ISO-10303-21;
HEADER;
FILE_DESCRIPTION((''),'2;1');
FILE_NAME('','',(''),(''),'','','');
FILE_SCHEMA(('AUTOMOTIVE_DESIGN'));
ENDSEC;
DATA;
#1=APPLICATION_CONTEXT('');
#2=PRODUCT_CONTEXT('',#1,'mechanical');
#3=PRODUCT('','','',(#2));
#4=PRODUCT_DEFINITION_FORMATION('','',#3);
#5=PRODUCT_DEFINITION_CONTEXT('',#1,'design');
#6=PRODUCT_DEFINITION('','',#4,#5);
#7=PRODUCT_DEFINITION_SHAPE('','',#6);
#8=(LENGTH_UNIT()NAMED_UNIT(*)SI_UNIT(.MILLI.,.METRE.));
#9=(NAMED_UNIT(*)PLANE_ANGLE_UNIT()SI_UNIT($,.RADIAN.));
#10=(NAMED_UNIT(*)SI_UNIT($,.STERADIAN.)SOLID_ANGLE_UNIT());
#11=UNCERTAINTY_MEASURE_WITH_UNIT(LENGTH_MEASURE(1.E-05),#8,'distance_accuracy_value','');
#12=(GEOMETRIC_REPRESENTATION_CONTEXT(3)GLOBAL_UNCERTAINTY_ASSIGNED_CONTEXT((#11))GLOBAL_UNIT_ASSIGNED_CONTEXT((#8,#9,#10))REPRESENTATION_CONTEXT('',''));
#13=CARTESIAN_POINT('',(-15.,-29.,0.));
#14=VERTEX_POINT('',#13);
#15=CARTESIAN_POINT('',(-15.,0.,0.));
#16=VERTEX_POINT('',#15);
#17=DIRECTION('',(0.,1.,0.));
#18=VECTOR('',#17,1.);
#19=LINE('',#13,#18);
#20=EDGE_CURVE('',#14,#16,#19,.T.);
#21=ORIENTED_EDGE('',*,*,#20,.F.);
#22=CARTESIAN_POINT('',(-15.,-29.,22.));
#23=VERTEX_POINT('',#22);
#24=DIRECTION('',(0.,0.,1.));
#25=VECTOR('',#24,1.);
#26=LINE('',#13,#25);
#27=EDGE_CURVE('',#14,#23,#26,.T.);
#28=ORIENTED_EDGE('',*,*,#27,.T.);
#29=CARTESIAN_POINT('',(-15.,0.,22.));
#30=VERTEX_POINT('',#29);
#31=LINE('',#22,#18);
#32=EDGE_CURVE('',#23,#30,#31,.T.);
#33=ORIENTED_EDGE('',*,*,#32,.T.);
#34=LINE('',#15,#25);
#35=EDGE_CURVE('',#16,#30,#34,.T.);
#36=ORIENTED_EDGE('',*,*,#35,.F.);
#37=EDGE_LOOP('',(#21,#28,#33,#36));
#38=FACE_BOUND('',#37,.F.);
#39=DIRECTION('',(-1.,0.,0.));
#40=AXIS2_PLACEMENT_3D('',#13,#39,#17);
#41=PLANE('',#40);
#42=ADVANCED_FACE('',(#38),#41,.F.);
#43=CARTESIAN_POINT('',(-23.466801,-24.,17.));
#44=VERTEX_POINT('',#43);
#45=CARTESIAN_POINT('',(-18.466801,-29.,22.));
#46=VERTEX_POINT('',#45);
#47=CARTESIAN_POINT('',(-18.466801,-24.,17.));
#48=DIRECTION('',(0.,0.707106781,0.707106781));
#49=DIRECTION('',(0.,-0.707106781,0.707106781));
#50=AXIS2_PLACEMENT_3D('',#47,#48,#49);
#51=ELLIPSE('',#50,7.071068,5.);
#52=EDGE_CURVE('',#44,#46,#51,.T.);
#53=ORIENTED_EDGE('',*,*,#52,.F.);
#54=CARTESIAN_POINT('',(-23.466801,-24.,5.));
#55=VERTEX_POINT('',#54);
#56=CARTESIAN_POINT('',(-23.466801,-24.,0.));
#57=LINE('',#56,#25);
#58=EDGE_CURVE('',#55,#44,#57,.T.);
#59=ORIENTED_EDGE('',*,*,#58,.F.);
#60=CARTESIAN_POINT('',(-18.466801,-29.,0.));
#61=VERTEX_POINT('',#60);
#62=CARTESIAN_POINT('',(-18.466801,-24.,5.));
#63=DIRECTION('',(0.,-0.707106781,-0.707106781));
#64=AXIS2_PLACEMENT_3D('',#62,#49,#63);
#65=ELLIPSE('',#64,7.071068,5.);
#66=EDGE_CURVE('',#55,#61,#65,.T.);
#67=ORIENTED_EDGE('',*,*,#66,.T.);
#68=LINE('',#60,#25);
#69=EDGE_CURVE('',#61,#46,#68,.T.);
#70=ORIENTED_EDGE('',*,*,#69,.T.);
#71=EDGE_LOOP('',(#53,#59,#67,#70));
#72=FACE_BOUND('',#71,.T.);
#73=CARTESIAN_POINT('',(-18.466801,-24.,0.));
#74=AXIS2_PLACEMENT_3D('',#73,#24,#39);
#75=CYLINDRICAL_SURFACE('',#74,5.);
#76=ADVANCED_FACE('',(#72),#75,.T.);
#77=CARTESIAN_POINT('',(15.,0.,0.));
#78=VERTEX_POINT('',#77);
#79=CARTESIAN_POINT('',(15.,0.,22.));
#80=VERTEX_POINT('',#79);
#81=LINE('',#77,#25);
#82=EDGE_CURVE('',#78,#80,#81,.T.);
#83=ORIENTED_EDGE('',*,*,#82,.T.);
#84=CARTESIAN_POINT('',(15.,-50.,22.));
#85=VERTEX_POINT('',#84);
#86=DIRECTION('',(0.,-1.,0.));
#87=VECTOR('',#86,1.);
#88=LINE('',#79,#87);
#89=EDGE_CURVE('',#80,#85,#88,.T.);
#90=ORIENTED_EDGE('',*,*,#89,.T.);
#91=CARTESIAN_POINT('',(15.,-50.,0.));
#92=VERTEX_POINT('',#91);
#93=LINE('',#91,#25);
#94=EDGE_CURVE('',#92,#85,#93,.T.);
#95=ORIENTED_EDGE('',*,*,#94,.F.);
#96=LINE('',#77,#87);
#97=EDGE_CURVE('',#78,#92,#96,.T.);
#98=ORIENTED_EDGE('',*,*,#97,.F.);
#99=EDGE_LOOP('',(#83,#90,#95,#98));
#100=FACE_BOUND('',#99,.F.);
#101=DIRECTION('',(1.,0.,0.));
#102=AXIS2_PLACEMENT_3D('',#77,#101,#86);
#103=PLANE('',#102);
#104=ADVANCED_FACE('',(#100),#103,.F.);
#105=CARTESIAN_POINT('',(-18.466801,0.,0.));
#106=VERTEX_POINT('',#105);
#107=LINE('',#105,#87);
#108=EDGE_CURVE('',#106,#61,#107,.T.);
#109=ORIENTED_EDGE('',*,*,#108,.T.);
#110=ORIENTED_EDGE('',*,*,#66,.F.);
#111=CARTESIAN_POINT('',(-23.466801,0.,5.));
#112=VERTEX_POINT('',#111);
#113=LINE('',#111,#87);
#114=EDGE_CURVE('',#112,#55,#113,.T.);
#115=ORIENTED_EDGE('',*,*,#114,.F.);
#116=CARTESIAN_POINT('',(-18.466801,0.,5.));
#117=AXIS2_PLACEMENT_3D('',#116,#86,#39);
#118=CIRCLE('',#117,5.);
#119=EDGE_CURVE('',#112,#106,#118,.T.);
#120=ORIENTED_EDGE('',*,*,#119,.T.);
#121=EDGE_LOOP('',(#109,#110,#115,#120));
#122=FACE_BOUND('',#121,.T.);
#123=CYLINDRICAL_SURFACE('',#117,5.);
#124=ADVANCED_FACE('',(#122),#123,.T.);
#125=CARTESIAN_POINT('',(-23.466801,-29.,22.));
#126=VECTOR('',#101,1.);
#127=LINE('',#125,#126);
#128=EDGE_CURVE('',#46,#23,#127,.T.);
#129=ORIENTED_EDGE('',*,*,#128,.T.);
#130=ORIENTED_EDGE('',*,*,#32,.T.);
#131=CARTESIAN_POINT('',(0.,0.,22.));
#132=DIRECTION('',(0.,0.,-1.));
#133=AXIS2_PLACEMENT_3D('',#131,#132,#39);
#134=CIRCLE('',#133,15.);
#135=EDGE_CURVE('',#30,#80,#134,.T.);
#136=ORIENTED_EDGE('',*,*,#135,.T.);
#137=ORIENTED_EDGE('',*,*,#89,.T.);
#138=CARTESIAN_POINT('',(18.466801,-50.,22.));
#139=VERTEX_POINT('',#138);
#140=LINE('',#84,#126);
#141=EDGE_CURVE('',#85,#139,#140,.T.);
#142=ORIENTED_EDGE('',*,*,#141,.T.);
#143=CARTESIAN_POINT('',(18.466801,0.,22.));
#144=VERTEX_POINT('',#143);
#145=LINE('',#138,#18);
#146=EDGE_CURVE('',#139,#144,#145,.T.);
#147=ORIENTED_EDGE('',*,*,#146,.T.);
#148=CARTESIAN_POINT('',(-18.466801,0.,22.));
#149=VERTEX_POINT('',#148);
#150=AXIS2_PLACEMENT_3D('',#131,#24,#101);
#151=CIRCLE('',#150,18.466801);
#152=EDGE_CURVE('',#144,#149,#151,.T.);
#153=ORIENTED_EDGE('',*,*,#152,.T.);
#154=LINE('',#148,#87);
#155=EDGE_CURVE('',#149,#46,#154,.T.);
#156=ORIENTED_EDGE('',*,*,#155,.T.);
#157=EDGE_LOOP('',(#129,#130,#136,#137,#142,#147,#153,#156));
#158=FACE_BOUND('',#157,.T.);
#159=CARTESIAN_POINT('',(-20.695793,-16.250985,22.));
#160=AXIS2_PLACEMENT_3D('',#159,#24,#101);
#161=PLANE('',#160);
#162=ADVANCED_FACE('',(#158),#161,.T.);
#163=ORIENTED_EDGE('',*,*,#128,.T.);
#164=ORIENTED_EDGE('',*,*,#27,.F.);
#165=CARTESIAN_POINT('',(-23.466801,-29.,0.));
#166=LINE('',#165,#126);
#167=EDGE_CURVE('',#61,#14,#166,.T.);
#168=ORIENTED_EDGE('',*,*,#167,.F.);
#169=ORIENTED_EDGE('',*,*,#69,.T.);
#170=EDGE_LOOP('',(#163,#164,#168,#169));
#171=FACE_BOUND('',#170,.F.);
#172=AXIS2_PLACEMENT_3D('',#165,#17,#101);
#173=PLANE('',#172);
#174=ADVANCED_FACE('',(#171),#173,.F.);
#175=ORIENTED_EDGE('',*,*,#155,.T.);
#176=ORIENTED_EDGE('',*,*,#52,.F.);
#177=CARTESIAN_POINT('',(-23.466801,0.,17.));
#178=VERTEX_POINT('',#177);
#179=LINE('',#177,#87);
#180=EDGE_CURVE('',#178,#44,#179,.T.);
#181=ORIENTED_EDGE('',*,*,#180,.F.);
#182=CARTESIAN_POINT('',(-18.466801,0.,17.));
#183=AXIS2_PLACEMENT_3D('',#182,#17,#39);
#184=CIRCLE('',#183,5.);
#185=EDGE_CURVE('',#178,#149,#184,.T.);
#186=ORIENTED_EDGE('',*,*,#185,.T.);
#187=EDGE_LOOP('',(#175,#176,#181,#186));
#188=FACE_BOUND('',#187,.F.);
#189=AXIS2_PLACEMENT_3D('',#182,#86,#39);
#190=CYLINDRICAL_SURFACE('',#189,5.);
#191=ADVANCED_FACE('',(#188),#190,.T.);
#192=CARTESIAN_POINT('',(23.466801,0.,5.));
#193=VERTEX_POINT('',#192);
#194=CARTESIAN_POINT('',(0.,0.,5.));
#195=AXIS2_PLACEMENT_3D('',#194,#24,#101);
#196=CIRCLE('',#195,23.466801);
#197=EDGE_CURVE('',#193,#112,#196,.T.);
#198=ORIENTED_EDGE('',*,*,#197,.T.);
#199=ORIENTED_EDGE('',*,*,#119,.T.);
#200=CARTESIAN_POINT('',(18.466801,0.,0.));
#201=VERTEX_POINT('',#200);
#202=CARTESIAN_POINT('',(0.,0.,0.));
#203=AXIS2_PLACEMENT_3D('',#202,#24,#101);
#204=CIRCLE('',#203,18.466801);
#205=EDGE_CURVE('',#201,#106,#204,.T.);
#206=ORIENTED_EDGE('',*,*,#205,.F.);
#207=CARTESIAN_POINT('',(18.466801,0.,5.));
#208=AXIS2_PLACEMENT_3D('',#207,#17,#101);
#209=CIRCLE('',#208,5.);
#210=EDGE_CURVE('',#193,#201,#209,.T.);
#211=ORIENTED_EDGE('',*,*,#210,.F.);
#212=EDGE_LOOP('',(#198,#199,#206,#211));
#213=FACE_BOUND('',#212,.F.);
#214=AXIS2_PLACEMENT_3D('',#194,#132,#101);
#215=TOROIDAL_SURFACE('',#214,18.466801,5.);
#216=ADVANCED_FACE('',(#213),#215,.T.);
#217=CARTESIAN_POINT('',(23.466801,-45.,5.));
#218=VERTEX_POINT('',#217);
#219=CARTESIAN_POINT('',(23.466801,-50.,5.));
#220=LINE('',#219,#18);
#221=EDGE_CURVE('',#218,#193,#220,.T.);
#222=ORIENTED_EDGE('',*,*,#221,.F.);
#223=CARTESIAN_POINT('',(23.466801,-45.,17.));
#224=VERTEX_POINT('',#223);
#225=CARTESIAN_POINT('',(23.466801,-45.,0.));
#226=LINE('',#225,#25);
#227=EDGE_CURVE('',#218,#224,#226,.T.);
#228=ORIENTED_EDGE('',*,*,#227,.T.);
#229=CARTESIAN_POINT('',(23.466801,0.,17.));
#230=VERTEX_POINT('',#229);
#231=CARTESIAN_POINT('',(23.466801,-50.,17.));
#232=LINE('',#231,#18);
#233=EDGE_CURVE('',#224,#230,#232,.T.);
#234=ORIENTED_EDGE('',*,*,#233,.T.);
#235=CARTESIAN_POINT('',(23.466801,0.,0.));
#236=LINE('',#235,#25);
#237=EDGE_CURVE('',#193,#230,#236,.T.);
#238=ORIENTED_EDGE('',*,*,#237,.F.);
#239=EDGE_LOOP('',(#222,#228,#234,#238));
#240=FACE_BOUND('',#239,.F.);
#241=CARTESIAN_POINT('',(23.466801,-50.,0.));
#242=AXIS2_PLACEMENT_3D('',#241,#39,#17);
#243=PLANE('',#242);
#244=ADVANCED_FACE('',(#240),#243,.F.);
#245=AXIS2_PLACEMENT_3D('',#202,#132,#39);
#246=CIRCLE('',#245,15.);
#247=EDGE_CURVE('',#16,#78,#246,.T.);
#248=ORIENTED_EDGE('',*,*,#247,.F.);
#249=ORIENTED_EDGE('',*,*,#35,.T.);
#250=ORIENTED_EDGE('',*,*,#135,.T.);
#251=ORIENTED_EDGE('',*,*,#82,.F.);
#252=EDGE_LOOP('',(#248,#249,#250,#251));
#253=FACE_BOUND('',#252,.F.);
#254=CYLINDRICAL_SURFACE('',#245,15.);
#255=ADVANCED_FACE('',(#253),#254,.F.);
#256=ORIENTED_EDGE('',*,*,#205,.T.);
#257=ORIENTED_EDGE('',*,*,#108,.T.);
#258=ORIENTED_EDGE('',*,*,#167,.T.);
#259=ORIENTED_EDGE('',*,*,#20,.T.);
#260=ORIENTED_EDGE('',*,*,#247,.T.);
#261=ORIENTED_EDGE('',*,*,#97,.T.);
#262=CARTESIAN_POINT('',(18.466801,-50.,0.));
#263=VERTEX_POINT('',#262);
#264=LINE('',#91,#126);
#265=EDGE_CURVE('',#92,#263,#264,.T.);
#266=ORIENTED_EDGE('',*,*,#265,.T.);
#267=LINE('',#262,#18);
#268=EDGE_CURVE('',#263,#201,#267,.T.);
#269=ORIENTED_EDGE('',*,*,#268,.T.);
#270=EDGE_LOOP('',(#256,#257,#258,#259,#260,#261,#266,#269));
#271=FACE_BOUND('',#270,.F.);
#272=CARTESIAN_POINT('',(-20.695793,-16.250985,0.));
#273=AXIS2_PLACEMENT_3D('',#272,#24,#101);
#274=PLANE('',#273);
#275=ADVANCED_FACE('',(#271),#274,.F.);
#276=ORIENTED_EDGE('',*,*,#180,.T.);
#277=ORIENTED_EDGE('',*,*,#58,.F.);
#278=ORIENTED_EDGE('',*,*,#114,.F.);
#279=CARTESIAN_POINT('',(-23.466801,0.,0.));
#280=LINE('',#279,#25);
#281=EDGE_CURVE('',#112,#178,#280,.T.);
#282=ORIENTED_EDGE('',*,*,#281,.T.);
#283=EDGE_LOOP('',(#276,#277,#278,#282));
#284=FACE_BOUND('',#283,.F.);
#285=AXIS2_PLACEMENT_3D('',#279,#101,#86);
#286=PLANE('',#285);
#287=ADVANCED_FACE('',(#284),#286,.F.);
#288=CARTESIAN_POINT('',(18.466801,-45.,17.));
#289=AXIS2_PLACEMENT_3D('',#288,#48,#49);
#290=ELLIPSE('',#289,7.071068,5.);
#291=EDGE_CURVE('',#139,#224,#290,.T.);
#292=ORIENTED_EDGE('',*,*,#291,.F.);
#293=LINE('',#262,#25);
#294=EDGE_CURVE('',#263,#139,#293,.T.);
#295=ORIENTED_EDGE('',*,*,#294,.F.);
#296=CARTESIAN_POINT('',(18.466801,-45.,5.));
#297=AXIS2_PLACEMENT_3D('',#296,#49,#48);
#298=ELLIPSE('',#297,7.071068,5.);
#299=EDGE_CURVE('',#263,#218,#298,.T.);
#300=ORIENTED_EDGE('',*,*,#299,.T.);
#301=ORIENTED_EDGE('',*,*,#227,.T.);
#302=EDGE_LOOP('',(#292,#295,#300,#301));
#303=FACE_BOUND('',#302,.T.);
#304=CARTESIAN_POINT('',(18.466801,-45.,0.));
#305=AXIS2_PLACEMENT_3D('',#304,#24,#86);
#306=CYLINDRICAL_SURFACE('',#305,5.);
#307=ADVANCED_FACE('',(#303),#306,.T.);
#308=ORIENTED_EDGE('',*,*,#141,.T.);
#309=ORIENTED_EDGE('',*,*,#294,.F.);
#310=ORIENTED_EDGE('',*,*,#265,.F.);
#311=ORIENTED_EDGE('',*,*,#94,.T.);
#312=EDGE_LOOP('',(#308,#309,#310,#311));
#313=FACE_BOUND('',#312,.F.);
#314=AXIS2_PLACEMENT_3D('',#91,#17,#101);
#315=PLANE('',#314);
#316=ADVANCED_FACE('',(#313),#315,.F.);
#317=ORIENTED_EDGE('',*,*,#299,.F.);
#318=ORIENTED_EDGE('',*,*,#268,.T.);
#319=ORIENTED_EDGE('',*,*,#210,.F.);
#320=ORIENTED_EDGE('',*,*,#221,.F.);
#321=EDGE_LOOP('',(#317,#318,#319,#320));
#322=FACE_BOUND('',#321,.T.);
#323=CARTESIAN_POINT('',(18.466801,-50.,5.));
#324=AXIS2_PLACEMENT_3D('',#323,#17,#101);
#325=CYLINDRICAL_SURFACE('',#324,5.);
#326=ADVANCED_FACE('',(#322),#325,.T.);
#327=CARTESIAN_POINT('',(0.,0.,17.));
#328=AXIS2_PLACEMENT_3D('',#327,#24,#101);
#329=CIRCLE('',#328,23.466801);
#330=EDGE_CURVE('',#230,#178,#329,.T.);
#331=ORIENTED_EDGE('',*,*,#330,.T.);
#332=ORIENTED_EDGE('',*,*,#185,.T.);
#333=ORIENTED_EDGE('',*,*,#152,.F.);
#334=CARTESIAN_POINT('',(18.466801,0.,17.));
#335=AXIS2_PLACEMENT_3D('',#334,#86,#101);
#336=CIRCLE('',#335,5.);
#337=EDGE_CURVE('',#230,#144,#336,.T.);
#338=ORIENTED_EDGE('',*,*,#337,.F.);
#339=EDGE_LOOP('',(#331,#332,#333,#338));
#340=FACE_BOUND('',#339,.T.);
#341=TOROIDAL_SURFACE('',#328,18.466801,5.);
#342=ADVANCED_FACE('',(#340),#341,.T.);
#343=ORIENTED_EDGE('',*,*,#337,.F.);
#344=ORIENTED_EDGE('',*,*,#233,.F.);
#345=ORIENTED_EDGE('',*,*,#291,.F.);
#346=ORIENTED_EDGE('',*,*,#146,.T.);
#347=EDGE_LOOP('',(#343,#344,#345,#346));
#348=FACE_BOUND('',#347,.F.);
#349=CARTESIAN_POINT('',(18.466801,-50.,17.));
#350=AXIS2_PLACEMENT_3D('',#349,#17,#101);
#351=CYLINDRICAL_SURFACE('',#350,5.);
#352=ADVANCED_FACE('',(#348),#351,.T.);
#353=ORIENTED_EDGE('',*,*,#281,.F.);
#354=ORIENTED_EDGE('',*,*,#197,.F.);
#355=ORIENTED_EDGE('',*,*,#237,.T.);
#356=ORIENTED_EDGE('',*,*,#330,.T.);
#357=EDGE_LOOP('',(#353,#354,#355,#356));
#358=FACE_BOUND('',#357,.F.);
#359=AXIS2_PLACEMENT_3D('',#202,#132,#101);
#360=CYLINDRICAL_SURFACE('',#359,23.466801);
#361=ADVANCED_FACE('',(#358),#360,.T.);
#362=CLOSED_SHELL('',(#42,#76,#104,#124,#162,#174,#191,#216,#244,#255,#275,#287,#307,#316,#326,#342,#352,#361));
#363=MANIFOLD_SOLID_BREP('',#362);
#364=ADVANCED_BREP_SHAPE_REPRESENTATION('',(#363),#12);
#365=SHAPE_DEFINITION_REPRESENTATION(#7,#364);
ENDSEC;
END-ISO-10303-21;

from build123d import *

# Parameters (mm, degrees)
F1_DEPTH = 22
F2_R     = 5


with BuildPart() as f1:
    # F0 (on Top) → F1 (new body)
    with BuildSketch(Plane.XY):
        with BuildLine():
            ThreePointArc((-15, -18.046904), (-21.244914, -9.967164), (-23.466801, 0))
            Line((-23.466801, 0), (-23.466801, -29))
            Line((-23.466801, -29), (-15, -29))
            Line((-15, -29), (-15, -18.046904))
        make_face()
        with BuildLine():
            Line((23.466801, -50), (23.466801, 0))
            ThreePointArc((23.466801, 0), (21.244914, -9.967164), (15, -18.046904))
            Line((15, -18.046904), (15, -50))
            Line((15, -50), (23.466801, -50))
        make_face()
        with BuildLine():
            ThreePointArc((15, -18.046904), (21.244914, -9.967164), (23.466801, 0))
            ThreePointArc((23.466801, 0), (0, 23.466801), (-23.466801, 0))
            ThreePointArc((-23.466801, 0), (-21.244914, -9.967164), (-15, -18.046904))
            Line((-15, -18.046904), (-15, 0))
            ThreePointArc((-15, 0), (0, 15), (15, 0))
            Line((15, 0), (15, -18.046904))
        make_face()
    extrude(amount=F1_DEPTH)

    # F2
    f2_edges = [f1.edges().sort_by_distance(p)[0] for p in [
        (23.466801, -50, 11),
        (-23.466801, -14.5, 22),
        (23.466801, -25, 0),
        (-23.466801, -29, 11),
    ]]
    fillet(f2_edges, radius=F2_R)


solid = f1.part
